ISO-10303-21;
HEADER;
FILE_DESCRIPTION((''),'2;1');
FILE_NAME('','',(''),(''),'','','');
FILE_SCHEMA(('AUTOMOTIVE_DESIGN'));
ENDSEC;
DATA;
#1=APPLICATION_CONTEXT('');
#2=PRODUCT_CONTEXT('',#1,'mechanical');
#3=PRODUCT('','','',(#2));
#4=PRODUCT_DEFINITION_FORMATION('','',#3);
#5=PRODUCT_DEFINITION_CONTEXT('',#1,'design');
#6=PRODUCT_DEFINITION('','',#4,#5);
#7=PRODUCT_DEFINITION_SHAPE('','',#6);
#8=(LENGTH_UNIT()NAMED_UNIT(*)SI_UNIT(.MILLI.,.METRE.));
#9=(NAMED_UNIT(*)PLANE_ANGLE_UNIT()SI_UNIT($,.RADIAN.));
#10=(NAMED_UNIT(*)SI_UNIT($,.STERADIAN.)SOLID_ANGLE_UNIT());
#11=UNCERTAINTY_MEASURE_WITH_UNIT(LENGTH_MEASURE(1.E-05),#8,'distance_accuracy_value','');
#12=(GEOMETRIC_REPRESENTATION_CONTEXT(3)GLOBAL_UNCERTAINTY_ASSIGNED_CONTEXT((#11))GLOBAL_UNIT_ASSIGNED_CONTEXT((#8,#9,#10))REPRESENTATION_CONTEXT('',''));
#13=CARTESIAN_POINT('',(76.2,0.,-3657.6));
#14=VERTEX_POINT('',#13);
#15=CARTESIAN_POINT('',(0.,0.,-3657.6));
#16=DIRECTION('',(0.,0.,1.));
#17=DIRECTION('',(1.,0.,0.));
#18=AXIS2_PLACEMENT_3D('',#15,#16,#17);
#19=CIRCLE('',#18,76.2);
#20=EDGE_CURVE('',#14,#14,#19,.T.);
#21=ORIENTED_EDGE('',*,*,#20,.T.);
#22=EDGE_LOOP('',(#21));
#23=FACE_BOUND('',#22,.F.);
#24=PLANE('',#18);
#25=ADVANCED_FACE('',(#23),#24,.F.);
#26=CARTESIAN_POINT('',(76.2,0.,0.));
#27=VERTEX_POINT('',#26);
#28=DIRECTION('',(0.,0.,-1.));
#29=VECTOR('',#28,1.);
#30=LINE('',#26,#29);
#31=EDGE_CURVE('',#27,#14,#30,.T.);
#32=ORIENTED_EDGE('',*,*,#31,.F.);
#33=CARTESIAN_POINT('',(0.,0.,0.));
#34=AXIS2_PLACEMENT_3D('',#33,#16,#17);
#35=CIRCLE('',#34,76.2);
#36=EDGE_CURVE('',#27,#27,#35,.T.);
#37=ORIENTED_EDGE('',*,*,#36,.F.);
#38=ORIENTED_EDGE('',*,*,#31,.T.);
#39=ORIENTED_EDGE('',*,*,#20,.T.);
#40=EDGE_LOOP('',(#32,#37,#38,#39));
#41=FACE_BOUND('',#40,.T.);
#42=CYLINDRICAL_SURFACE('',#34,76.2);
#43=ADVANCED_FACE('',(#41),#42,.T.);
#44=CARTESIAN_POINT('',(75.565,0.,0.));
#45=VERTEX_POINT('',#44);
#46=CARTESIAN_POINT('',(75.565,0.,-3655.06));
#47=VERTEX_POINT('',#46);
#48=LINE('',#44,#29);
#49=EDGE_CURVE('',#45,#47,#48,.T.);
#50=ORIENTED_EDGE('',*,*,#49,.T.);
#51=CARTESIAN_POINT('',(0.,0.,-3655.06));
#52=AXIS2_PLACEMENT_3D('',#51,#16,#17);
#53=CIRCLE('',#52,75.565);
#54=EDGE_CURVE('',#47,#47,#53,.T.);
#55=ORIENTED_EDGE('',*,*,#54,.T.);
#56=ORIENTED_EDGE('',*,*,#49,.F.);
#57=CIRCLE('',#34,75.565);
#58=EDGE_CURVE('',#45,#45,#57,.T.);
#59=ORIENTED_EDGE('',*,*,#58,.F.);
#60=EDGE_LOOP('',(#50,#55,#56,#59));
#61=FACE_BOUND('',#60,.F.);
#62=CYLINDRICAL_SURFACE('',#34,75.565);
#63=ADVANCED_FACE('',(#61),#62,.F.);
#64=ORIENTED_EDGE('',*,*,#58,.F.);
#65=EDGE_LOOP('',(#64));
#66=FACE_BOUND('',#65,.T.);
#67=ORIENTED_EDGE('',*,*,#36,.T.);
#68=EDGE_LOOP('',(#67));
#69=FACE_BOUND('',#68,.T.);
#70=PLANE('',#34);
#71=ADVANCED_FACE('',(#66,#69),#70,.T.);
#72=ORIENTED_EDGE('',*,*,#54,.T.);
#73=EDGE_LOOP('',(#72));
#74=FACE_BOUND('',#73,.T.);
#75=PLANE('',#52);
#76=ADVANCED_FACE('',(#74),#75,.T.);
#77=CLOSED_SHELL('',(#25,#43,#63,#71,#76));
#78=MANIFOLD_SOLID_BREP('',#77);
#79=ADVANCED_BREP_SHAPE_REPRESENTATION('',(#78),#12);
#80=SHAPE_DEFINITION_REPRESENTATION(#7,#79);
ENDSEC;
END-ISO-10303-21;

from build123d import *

# Parameters (mm, degrees)
F0_R     = 76.2
F0_R_2   = 75.565
F1_DEPTH = 3657.6
F2_DEPTH = 3655.06


with BuildPart() as f1:
    # F0 (on Top) → F1 (new body)
    with BuildSketch(Plane.XY):
        Circle(F0_R)
        Circle(F0_R_2, mode=Mode.SUBTRACT)
        Circle(F0_R_2)
    extrude(amount=-F1_DEPTH)

    # F0 (on Top) → F2 (cut)
    with BuildSketch(Plane.XY):
        Circle(F0_R_2)
    extrude(amount=-F2_DEPTH, mode=Mode.SUBTRACT)


solid = f1.part
